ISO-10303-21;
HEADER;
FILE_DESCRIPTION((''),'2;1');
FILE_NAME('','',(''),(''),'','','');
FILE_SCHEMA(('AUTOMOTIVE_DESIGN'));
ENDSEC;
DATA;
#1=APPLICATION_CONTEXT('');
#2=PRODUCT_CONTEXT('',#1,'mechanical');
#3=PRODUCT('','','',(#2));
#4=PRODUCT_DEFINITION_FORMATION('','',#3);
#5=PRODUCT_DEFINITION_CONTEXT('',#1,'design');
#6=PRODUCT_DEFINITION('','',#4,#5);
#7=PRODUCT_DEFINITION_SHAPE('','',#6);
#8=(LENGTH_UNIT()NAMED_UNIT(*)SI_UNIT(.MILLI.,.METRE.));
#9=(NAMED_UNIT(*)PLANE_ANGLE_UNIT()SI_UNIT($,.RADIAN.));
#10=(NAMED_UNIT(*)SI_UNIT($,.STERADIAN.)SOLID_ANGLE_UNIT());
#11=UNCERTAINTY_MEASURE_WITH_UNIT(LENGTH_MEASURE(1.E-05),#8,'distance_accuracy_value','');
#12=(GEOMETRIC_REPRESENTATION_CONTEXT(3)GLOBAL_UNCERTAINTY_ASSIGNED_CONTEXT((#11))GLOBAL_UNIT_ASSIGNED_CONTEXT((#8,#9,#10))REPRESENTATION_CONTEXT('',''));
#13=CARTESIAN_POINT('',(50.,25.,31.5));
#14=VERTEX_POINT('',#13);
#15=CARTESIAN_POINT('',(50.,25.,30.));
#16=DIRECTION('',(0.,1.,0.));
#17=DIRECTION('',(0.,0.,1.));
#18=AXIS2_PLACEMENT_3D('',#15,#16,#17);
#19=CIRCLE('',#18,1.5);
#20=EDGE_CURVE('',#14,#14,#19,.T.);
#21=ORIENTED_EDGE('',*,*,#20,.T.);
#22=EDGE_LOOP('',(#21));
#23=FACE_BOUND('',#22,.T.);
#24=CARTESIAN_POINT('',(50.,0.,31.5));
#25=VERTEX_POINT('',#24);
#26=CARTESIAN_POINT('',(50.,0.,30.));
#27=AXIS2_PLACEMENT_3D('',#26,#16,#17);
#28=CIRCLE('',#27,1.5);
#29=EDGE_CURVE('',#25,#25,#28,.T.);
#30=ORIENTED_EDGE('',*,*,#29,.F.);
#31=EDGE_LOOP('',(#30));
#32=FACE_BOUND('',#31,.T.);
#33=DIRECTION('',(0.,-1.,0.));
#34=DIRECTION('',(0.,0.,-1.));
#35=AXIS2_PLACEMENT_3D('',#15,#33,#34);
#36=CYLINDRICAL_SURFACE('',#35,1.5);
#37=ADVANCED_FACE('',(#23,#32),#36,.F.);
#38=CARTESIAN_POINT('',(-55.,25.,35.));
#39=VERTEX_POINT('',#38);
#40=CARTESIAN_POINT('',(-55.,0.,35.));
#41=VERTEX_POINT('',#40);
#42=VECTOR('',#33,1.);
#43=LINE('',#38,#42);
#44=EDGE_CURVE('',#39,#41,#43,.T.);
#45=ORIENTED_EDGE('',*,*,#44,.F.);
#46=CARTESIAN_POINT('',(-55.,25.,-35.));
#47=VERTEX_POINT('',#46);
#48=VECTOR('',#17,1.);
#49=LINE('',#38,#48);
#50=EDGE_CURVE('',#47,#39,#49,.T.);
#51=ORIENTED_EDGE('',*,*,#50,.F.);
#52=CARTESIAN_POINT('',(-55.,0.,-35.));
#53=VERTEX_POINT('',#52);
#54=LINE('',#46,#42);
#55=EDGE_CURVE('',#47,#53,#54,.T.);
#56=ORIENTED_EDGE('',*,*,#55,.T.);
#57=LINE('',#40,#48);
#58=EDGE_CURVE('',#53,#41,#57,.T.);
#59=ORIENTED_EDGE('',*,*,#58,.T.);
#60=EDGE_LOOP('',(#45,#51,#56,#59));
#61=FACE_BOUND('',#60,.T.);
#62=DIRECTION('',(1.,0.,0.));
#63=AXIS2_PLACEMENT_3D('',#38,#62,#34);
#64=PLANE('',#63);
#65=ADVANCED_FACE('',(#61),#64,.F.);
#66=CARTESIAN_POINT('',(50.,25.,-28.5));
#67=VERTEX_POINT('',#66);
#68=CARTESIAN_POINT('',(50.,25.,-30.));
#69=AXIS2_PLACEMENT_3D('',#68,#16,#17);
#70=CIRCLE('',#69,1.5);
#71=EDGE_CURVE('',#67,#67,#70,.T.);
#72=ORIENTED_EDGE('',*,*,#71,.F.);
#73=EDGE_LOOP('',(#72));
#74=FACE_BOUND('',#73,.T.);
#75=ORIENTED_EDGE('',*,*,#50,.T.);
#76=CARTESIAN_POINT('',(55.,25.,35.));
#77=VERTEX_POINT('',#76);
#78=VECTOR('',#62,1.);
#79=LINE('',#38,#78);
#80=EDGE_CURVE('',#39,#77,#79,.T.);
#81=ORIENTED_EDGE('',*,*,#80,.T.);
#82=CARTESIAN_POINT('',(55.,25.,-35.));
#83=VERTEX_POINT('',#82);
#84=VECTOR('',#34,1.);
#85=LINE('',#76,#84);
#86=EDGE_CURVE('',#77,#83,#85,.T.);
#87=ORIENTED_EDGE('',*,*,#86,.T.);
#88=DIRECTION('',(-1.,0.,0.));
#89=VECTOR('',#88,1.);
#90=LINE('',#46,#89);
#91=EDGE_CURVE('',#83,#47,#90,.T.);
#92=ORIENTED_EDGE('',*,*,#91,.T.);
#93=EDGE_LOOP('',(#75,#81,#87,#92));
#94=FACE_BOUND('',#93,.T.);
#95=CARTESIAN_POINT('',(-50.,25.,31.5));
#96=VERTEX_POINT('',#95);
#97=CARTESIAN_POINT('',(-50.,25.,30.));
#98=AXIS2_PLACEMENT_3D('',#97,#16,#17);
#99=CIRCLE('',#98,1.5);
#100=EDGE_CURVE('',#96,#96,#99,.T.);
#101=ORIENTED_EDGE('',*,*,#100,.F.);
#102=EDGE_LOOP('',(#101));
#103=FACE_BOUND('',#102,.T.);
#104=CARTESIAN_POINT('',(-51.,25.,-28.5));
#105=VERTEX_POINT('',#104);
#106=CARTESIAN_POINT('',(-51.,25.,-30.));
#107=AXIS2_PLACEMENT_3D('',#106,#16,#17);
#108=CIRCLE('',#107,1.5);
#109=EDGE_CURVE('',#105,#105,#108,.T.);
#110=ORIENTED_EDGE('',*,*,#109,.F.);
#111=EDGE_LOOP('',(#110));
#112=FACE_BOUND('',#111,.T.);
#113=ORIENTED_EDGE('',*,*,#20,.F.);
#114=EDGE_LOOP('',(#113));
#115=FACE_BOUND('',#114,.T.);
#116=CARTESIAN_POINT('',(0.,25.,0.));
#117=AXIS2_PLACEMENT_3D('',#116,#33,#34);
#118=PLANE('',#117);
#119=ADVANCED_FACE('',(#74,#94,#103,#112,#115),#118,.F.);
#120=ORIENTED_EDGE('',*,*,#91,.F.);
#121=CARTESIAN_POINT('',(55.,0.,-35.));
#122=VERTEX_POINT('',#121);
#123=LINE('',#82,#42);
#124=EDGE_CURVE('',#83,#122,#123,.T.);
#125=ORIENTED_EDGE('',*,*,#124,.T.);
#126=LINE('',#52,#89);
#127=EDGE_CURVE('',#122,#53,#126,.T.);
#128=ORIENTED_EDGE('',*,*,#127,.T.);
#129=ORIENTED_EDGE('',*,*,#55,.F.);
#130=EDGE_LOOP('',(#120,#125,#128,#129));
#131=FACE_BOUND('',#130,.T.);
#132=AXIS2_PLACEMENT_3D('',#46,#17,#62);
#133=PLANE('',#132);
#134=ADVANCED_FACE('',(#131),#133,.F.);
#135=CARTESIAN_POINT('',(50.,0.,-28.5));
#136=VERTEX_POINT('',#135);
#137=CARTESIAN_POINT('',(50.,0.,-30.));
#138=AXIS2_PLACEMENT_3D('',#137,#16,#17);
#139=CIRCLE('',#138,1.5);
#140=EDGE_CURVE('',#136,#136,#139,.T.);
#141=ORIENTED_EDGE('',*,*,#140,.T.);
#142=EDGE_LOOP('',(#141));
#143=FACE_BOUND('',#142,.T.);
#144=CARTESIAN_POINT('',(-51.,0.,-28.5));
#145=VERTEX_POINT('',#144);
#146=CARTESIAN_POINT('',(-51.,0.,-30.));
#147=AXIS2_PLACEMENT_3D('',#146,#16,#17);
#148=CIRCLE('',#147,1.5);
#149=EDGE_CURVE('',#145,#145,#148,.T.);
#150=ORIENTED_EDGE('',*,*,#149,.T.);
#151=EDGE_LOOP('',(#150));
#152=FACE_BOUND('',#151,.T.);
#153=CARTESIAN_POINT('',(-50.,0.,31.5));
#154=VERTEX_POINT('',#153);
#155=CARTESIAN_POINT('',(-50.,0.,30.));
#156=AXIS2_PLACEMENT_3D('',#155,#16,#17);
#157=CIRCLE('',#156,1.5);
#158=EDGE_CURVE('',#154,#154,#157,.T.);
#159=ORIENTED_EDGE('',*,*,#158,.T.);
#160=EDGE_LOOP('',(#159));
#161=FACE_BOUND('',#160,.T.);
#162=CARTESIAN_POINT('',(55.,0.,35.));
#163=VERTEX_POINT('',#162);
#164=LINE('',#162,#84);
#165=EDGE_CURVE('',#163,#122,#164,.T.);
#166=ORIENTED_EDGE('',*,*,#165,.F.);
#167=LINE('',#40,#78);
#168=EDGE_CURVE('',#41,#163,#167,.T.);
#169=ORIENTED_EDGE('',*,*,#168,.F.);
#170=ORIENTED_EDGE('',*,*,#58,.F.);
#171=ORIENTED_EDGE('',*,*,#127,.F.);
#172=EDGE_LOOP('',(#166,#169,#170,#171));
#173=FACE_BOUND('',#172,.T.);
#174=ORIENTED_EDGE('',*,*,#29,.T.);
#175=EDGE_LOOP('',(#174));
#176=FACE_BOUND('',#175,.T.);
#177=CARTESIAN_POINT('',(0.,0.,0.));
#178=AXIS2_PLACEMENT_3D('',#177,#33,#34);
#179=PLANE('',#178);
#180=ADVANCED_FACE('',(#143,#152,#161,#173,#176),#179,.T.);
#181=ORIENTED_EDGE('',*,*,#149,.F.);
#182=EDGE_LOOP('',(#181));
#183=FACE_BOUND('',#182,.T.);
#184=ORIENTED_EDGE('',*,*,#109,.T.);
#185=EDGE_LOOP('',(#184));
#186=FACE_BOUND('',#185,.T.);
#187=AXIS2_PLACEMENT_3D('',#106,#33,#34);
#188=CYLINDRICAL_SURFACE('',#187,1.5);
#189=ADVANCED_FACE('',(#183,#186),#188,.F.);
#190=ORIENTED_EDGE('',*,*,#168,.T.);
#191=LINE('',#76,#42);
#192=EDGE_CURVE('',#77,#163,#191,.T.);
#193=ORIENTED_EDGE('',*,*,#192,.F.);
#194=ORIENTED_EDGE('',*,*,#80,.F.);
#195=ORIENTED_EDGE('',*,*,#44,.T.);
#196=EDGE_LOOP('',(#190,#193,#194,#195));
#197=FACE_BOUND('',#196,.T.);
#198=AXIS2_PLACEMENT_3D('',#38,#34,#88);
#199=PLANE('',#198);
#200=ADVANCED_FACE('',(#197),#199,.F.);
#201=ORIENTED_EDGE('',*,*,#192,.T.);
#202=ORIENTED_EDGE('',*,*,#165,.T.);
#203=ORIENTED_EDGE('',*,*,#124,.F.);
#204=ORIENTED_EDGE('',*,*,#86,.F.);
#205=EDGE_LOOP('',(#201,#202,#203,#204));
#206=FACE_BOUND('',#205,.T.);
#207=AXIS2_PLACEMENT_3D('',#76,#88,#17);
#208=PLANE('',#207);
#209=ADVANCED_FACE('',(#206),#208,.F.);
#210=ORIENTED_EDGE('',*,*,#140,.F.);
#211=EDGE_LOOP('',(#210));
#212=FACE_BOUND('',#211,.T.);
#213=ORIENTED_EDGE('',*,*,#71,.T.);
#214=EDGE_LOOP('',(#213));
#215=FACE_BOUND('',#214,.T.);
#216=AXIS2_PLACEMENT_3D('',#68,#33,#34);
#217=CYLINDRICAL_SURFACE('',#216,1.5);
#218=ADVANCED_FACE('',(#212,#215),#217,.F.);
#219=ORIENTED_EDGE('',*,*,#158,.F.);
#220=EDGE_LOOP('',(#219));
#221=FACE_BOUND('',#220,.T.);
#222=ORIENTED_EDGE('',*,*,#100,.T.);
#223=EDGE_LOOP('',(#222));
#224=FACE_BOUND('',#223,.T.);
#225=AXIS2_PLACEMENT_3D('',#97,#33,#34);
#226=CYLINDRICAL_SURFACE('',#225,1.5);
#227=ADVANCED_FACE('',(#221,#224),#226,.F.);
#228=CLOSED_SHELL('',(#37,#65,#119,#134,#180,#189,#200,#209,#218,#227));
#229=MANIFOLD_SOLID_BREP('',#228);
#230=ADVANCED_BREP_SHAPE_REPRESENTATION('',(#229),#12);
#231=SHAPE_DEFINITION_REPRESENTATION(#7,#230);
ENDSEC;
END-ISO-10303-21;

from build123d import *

# Parameters (mm, degrees)
SKETCH1_W           = 110
SKETCH1_H           = 70
SKETCH1_R           = 1.5
BOSS_EXTRUDE1_DEPTH = 25


with BuildPart() as part:
    # Sketch1 → Boss-Extrude1 (new body)
    with BuildSketch(Plane(origin=(0, 0, 0), x_dir=(1, 0, 0), z_dir=(0, 1, 0))):
        Rectangle(SKETCH1_W, SKETCH1_H)
        with Locations(Location((-51, 30, 0), (0, 0, 270))):
            Circle(SKETCH1_R, mode=Mode.SUBTRACT)
        with Locations(Location((50, 30, 0), (0, 0, 270))):
            Circle(SKETCH1_R, mode=Mode.SUBTRACT)
        with Locations(Location((50, -30, 0), (0, 0, 270))):
            Circle(SKETCH1_R, mode=Mode.SUBTRACT)
        with Locations(Location((-50, -30, 0), (0, 0, 270))):
            Circle(SKETCH1_R, mode=Mode.SUBTRACT)
    extrude(amount=BOSS_EXTRUDE1_DEPTH)


solid = part.part
